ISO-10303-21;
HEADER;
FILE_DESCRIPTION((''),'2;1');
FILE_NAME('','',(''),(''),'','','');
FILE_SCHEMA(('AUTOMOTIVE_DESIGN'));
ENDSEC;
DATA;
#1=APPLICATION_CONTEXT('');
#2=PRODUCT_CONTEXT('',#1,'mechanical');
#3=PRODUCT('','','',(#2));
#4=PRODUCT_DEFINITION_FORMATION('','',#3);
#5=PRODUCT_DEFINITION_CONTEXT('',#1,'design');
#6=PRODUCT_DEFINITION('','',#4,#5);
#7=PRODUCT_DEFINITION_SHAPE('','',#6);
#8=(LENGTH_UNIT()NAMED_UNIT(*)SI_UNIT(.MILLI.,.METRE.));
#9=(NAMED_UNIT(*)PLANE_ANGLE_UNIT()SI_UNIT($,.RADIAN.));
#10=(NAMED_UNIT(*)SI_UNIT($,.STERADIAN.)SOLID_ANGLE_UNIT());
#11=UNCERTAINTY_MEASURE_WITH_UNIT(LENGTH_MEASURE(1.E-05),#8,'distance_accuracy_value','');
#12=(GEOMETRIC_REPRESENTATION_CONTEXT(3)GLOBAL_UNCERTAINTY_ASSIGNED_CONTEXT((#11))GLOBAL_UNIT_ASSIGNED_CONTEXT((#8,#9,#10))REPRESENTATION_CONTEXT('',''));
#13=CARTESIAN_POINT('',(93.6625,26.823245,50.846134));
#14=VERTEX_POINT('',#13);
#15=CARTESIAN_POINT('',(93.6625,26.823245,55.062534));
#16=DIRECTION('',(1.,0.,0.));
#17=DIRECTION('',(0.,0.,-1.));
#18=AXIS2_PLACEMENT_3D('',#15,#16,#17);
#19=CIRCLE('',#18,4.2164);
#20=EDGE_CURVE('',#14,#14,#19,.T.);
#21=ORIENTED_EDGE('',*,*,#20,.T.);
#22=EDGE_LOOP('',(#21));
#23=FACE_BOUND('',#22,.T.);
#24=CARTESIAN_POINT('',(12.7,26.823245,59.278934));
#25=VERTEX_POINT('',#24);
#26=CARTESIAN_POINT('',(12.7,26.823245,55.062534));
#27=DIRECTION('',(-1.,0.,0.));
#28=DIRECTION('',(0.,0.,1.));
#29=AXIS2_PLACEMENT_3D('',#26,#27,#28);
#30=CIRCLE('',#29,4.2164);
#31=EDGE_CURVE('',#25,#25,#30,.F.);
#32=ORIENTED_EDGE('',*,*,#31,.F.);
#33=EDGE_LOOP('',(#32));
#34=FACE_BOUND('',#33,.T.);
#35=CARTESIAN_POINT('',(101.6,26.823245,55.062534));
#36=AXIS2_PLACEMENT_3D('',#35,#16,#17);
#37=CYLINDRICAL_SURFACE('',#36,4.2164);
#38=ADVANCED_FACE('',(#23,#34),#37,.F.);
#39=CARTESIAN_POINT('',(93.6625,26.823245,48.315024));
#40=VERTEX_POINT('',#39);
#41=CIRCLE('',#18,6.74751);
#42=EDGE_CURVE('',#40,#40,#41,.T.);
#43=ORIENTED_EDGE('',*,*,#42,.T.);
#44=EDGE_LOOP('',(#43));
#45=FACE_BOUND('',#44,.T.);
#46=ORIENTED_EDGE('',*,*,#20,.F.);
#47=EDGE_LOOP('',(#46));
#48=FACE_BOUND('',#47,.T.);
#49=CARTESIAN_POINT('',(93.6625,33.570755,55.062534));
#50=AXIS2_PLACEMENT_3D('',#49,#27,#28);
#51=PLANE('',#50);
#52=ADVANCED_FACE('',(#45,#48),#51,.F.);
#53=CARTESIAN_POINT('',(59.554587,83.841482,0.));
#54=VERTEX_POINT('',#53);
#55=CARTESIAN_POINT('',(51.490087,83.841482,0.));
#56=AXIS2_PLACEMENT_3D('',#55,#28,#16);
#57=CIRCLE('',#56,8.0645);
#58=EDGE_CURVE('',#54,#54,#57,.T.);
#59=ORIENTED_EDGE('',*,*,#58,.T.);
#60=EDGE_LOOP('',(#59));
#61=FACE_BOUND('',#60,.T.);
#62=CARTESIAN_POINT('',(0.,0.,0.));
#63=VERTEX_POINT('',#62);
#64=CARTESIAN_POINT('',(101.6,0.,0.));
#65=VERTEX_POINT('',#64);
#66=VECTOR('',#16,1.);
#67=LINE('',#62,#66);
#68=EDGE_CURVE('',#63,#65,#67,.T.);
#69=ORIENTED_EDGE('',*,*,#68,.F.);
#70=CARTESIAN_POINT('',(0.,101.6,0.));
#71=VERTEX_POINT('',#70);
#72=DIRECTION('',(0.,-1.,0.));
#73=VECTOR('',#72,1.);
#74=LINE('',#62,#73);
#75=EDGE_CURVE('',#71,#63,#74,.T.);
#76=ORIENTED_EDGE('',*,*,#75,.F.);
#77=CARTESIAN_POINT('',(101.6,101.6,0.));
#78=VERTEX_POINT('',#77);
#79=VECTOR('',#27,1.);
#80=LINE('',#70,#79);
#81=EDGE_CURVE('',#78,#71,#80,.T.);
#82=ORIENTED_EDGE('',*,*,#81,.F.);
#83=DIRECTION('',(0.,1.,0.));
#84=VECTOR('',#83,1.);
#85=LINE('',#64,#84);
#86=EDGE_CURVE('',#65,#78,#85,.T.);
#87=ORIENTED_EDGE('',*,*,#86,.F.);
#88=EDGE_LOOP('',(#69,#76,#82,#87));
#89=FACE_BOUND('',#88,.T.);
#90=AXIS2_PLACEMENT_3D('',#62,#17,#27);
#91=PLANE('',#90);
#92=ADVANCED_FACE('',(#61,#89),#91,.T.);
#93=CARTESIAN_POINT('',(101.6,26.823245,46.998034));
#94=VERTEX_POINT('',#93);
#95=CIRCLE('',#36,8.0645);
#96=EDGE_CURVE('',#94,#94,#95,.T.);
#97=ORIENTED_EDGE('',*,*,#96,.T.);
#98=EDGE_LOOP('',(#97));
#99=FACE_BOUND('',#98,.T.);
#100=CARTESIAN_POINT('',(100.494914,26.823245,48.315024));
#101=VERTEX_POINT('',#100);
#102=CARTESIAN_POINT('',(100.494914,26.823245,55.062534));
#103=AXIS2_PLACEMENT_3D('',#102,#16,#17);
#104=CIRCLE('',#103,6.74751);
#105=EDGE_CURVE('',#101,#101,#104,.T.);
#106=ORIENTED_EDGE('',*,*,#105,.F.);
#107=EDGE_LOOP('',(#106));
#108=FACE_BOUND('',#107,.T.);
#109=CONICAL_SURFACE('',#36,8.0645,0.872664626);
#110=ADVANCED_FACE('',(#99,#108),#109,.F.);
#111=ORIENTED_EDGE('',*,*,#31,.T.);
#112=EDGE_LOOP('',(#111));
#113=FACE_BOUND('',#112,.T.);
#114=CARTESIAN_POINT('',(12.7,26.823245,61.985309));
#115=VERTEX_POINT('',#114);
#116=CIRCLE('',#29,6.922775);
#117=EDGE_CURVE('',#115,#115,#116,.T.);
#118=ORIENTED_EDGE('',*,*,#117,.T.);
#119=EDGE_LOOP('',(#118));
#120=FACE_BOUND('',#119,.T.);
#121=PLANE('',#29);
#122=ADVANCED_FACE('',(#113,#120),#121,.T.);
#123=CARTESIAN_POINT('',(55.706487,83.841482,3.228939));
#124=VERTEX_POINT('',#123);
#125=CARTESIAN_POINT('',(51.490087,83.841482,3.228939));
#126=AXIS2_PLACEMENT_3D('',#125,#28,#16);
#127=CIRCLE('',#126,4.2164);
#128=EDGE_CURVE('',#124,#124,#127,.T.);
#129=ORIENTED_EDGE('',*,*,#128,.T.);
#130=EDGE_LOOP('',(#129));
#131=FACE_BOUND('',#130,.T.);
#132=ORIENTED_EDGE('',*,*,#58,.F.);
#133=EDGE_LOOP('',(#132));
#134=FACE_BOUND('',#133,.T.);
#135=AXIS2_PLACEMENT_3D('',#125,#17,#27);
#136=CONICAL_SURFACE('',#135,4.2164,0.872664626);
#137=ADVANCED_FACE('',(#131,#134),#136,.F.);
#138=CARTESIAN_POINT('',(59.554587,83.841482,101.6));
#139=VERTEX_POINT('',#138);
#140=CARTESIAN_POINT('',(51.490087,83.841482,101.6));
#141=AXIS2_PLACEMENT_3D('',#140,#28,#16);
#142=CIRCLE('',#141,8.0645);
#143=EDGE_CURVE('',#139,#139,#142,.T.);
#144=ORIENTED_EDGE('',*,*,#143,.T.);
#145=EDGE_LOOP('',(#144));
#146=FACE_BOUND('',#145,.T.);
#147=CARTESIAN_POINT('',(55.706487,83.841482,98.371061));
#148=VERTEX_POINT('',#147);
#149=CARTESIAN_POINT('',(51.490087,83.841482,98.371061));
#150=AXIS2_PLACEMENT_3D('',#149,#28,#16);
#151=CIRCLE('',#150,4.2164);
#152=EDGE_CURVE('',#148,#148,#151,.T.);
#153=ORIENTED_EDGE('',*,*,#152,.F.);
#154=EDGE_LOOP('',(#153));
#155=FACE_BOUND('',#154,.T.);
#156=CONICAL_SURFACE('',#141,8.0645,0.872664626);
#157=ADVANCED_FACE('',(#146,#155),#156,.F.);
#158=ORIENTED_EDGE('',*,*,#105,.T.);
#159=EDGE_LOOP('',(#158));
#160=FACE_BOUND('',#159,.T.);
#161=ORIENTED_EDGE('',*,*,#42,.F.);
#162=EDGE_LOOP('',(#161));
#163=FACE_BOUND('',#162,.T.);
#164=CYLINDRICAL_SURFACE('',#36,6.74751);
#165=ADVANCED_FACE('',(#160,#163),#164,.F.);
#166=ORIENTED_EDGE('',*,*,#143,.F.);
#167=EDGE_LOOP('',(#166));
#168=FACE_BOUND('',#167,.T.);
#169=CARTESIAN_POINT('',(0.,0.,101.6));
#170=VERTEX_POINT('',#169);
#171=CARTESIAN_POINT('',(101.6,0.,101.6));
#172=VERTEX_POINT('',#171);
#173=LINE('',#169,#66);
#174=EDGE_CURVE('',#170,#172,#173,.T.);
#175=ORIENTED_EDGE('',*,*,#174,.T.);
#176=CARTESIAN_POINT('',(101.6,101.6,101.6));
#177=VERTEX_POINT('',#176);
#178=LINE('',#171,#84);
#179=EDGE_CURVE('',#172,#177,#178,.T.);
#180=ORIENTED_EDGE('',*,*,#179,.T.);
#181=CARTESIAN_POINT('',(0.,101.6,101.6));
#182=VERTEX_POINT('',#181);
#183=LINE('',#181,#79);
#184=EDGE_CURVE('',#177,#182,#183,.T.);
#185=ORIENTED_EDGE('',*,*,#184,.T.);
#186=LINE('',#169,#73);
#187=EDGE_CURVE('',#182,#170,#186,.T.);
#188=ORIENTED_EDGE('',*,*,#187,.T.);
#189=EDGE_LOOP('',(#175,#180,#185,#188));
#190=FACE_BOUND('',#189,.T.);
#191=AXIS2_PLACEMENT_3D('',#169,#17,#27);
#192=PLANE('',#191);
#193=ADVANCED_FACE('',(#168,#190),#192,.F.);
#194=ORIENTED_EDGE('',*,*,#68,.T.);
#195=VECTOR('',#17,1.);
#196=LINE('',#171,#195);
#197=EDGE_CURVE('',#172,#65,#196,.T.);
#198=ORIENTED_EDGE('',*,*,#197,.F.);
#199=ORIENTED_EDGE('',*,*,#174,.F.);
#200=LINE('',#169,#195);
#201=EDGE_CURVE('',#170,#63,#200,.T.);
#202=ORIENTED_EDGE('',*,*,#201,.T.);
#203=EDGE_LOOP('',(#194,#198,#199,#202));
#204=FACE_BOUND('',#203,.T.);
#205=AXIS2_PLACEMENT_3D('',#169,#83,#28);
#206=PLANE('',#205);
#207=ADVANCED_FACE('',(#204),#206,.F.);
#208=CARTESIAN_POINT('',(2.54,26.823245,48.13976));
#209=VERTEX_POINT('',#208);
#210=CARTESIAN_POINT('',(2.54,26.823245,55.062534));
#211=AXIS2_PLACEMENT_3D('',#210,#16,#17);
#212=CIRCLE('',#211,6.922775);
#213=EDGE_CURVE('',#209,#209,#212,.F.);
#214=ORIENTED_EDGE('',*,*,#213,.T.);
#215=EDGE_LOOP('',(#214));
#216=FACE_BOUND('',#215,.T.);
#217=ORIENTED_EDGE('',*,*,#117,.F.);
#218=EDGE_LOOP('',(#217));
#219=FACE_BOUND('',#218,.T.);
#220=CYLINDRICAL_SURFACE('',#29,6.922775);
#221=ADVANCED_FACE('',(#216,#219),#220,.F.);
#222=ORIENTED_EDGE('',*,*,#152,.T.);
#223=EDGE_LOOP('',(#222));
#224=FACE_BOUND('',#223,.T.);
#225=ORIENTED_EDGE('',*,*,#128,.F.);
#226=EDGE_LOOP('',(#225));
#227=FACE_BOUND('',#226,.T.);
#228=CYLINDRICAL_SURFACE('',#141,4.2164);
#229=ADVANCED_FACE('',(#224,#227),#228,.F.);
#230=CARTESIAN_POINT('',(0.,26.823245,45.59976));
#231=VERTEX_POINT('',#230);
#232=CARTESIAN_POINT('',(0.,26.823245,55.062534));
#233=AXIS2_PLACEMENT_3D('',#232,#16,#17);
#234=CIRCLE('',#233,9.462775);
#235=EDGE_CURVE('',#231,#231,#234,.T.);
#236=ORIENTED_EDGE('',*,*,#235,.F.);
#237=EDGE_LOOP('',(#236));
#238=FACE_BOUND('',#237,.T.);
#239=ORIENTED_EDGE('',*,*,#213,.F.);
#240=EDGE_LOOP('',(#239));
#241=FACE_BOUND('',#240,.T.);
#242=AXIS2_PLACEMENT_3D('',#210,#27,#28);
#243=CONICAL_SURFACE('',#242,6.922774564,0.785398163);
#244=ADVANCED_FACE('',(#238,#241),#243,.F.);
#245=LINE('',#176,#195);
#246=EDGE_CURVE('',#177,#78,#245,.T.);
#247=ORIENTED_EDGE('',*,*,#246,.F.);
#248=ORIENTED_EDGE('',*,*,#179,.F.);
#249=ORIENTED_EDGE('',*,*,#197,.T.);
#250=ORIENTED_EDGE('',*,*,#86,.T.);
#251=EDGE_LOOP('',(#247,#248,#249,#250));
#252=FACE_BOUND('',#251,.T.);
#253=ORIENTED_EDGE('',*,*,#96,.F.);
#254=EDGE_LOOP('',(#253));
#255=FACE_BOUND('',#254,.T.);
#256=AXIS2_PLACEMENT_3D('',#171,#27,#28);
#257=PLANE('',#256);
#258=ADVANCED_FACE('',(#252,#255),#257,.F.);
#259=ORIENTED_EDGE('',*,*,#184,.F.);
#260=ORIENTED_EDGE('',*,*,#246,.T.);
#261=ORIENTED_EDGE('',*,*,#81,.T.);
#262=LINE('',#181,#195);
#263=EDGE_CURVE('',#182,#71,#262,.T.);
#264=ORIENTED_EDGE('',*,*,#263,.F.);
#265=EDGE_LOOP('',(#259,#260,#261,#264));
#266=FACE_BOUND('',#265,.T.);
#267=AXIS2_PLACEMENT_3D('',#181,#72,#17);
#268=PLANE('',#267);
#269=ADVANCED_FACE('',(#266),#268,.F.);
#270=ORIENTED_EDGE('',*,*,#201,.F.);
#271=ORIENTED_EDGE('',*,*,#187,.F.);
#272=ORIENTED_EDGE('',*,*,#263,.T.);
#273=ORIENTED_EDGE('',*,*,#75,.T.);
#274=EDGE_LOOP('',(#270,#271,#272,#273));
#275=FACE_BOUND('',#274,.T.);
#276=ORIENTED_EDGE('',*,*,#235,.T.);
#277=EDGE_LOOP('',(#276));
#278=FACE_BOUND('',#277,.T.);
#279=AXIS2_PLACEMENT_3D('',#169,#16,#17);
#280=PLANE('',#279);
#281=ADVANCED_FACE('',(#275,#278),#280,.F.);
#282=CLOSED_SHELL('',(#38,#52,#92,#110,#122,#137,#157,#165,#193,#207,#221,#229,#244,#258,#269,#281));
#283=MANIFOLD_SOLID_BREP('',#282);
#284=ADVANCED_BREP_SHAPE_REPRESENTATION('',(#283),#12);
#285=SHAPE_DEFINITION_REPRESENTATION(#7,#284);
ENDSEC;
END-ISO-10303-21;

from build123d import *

# Parameters (mm, degrees)
SKETCH1_W           = 101.6
SKETCH1_H           = 101.6
BOSS_EXTRUDE1_DEPTH = 101.6
SKETCH6_R           = 6.922774564
CUT_EXTRUDE1_DEPTH  = 12.7
CHAMFER2_SIZE       = 2.54


with BuildPart() as part:
    # Sketch1 → Boss-Extrude1 (new body)
    with BuildSketch(Plane.XY):
        with Locations((50.8, 50.8)):
            Rectangle(SKETCH1_W, SKETCH1_H)
    extrude(amount=BOSS_EXTRUDE1_DEPTH)

    # Sketch3 → CSK for 5/16 Flat Head Machine Screw (100)1 (revolve, cut)
    with BuildSketch(Plane(origin=(51.490087233, 83.841482184, 101.6), x_dir=(0, -1, 0), z_dir=(1, 0, 0))):
        Polygon((0, 0), (0, 101.6), (8.0645, 101.6), (4.2164, 98.371060709), (4.2164, 3.228939291), (8.0645, 0), align=None)
    revolve(axis=Axis((51.490087233, 83.841482184, 107.95), (0, 0, -1)), mode=Mode.SUBTRACT)

    # Sketch5 → CBORE for 5/16 Socket Head Cap Screw1 (revolve, cut)
    with BuildSketch(Plane(origin=(101.6, 26.823245181, 55.06253419), x_dir=(0, 0, -1), z_dir=(0, 1, 0))):
        Polygon((0, 0), (0, 101.6), (4.2164, 101.6), (4.2164, 7.9375), (6.74751, 7.9375), (6.74751, 1.105085823), (8.0645, 0), align=None)
    revolve(axis=Axis((107.95, 26.823245181, 55.06253419), (-1, 0, 0)), mode=Mode.SUBTRACT)

    # Sketch6 → Cut-Extrude1 (cut)
    with BuildSketch(Plane.ZY):
        with Locations((55.06253419, 26.823245181)):
            Circle(SKETCH6_R)
    extrude(amount=-CUT_EXTRUDE1_DEPTH, mode=Mode.SUBTRACT)

    # Chamfer2
    chamfer2_edges = [part.edges().sort_by_distance(p)[0] for p in [
        (0, 26.823245181, 48.139759626),
    ]]
    chamfer(chamfer2_edges, length=CHAMFER2_SIZE)


solid = part.part
